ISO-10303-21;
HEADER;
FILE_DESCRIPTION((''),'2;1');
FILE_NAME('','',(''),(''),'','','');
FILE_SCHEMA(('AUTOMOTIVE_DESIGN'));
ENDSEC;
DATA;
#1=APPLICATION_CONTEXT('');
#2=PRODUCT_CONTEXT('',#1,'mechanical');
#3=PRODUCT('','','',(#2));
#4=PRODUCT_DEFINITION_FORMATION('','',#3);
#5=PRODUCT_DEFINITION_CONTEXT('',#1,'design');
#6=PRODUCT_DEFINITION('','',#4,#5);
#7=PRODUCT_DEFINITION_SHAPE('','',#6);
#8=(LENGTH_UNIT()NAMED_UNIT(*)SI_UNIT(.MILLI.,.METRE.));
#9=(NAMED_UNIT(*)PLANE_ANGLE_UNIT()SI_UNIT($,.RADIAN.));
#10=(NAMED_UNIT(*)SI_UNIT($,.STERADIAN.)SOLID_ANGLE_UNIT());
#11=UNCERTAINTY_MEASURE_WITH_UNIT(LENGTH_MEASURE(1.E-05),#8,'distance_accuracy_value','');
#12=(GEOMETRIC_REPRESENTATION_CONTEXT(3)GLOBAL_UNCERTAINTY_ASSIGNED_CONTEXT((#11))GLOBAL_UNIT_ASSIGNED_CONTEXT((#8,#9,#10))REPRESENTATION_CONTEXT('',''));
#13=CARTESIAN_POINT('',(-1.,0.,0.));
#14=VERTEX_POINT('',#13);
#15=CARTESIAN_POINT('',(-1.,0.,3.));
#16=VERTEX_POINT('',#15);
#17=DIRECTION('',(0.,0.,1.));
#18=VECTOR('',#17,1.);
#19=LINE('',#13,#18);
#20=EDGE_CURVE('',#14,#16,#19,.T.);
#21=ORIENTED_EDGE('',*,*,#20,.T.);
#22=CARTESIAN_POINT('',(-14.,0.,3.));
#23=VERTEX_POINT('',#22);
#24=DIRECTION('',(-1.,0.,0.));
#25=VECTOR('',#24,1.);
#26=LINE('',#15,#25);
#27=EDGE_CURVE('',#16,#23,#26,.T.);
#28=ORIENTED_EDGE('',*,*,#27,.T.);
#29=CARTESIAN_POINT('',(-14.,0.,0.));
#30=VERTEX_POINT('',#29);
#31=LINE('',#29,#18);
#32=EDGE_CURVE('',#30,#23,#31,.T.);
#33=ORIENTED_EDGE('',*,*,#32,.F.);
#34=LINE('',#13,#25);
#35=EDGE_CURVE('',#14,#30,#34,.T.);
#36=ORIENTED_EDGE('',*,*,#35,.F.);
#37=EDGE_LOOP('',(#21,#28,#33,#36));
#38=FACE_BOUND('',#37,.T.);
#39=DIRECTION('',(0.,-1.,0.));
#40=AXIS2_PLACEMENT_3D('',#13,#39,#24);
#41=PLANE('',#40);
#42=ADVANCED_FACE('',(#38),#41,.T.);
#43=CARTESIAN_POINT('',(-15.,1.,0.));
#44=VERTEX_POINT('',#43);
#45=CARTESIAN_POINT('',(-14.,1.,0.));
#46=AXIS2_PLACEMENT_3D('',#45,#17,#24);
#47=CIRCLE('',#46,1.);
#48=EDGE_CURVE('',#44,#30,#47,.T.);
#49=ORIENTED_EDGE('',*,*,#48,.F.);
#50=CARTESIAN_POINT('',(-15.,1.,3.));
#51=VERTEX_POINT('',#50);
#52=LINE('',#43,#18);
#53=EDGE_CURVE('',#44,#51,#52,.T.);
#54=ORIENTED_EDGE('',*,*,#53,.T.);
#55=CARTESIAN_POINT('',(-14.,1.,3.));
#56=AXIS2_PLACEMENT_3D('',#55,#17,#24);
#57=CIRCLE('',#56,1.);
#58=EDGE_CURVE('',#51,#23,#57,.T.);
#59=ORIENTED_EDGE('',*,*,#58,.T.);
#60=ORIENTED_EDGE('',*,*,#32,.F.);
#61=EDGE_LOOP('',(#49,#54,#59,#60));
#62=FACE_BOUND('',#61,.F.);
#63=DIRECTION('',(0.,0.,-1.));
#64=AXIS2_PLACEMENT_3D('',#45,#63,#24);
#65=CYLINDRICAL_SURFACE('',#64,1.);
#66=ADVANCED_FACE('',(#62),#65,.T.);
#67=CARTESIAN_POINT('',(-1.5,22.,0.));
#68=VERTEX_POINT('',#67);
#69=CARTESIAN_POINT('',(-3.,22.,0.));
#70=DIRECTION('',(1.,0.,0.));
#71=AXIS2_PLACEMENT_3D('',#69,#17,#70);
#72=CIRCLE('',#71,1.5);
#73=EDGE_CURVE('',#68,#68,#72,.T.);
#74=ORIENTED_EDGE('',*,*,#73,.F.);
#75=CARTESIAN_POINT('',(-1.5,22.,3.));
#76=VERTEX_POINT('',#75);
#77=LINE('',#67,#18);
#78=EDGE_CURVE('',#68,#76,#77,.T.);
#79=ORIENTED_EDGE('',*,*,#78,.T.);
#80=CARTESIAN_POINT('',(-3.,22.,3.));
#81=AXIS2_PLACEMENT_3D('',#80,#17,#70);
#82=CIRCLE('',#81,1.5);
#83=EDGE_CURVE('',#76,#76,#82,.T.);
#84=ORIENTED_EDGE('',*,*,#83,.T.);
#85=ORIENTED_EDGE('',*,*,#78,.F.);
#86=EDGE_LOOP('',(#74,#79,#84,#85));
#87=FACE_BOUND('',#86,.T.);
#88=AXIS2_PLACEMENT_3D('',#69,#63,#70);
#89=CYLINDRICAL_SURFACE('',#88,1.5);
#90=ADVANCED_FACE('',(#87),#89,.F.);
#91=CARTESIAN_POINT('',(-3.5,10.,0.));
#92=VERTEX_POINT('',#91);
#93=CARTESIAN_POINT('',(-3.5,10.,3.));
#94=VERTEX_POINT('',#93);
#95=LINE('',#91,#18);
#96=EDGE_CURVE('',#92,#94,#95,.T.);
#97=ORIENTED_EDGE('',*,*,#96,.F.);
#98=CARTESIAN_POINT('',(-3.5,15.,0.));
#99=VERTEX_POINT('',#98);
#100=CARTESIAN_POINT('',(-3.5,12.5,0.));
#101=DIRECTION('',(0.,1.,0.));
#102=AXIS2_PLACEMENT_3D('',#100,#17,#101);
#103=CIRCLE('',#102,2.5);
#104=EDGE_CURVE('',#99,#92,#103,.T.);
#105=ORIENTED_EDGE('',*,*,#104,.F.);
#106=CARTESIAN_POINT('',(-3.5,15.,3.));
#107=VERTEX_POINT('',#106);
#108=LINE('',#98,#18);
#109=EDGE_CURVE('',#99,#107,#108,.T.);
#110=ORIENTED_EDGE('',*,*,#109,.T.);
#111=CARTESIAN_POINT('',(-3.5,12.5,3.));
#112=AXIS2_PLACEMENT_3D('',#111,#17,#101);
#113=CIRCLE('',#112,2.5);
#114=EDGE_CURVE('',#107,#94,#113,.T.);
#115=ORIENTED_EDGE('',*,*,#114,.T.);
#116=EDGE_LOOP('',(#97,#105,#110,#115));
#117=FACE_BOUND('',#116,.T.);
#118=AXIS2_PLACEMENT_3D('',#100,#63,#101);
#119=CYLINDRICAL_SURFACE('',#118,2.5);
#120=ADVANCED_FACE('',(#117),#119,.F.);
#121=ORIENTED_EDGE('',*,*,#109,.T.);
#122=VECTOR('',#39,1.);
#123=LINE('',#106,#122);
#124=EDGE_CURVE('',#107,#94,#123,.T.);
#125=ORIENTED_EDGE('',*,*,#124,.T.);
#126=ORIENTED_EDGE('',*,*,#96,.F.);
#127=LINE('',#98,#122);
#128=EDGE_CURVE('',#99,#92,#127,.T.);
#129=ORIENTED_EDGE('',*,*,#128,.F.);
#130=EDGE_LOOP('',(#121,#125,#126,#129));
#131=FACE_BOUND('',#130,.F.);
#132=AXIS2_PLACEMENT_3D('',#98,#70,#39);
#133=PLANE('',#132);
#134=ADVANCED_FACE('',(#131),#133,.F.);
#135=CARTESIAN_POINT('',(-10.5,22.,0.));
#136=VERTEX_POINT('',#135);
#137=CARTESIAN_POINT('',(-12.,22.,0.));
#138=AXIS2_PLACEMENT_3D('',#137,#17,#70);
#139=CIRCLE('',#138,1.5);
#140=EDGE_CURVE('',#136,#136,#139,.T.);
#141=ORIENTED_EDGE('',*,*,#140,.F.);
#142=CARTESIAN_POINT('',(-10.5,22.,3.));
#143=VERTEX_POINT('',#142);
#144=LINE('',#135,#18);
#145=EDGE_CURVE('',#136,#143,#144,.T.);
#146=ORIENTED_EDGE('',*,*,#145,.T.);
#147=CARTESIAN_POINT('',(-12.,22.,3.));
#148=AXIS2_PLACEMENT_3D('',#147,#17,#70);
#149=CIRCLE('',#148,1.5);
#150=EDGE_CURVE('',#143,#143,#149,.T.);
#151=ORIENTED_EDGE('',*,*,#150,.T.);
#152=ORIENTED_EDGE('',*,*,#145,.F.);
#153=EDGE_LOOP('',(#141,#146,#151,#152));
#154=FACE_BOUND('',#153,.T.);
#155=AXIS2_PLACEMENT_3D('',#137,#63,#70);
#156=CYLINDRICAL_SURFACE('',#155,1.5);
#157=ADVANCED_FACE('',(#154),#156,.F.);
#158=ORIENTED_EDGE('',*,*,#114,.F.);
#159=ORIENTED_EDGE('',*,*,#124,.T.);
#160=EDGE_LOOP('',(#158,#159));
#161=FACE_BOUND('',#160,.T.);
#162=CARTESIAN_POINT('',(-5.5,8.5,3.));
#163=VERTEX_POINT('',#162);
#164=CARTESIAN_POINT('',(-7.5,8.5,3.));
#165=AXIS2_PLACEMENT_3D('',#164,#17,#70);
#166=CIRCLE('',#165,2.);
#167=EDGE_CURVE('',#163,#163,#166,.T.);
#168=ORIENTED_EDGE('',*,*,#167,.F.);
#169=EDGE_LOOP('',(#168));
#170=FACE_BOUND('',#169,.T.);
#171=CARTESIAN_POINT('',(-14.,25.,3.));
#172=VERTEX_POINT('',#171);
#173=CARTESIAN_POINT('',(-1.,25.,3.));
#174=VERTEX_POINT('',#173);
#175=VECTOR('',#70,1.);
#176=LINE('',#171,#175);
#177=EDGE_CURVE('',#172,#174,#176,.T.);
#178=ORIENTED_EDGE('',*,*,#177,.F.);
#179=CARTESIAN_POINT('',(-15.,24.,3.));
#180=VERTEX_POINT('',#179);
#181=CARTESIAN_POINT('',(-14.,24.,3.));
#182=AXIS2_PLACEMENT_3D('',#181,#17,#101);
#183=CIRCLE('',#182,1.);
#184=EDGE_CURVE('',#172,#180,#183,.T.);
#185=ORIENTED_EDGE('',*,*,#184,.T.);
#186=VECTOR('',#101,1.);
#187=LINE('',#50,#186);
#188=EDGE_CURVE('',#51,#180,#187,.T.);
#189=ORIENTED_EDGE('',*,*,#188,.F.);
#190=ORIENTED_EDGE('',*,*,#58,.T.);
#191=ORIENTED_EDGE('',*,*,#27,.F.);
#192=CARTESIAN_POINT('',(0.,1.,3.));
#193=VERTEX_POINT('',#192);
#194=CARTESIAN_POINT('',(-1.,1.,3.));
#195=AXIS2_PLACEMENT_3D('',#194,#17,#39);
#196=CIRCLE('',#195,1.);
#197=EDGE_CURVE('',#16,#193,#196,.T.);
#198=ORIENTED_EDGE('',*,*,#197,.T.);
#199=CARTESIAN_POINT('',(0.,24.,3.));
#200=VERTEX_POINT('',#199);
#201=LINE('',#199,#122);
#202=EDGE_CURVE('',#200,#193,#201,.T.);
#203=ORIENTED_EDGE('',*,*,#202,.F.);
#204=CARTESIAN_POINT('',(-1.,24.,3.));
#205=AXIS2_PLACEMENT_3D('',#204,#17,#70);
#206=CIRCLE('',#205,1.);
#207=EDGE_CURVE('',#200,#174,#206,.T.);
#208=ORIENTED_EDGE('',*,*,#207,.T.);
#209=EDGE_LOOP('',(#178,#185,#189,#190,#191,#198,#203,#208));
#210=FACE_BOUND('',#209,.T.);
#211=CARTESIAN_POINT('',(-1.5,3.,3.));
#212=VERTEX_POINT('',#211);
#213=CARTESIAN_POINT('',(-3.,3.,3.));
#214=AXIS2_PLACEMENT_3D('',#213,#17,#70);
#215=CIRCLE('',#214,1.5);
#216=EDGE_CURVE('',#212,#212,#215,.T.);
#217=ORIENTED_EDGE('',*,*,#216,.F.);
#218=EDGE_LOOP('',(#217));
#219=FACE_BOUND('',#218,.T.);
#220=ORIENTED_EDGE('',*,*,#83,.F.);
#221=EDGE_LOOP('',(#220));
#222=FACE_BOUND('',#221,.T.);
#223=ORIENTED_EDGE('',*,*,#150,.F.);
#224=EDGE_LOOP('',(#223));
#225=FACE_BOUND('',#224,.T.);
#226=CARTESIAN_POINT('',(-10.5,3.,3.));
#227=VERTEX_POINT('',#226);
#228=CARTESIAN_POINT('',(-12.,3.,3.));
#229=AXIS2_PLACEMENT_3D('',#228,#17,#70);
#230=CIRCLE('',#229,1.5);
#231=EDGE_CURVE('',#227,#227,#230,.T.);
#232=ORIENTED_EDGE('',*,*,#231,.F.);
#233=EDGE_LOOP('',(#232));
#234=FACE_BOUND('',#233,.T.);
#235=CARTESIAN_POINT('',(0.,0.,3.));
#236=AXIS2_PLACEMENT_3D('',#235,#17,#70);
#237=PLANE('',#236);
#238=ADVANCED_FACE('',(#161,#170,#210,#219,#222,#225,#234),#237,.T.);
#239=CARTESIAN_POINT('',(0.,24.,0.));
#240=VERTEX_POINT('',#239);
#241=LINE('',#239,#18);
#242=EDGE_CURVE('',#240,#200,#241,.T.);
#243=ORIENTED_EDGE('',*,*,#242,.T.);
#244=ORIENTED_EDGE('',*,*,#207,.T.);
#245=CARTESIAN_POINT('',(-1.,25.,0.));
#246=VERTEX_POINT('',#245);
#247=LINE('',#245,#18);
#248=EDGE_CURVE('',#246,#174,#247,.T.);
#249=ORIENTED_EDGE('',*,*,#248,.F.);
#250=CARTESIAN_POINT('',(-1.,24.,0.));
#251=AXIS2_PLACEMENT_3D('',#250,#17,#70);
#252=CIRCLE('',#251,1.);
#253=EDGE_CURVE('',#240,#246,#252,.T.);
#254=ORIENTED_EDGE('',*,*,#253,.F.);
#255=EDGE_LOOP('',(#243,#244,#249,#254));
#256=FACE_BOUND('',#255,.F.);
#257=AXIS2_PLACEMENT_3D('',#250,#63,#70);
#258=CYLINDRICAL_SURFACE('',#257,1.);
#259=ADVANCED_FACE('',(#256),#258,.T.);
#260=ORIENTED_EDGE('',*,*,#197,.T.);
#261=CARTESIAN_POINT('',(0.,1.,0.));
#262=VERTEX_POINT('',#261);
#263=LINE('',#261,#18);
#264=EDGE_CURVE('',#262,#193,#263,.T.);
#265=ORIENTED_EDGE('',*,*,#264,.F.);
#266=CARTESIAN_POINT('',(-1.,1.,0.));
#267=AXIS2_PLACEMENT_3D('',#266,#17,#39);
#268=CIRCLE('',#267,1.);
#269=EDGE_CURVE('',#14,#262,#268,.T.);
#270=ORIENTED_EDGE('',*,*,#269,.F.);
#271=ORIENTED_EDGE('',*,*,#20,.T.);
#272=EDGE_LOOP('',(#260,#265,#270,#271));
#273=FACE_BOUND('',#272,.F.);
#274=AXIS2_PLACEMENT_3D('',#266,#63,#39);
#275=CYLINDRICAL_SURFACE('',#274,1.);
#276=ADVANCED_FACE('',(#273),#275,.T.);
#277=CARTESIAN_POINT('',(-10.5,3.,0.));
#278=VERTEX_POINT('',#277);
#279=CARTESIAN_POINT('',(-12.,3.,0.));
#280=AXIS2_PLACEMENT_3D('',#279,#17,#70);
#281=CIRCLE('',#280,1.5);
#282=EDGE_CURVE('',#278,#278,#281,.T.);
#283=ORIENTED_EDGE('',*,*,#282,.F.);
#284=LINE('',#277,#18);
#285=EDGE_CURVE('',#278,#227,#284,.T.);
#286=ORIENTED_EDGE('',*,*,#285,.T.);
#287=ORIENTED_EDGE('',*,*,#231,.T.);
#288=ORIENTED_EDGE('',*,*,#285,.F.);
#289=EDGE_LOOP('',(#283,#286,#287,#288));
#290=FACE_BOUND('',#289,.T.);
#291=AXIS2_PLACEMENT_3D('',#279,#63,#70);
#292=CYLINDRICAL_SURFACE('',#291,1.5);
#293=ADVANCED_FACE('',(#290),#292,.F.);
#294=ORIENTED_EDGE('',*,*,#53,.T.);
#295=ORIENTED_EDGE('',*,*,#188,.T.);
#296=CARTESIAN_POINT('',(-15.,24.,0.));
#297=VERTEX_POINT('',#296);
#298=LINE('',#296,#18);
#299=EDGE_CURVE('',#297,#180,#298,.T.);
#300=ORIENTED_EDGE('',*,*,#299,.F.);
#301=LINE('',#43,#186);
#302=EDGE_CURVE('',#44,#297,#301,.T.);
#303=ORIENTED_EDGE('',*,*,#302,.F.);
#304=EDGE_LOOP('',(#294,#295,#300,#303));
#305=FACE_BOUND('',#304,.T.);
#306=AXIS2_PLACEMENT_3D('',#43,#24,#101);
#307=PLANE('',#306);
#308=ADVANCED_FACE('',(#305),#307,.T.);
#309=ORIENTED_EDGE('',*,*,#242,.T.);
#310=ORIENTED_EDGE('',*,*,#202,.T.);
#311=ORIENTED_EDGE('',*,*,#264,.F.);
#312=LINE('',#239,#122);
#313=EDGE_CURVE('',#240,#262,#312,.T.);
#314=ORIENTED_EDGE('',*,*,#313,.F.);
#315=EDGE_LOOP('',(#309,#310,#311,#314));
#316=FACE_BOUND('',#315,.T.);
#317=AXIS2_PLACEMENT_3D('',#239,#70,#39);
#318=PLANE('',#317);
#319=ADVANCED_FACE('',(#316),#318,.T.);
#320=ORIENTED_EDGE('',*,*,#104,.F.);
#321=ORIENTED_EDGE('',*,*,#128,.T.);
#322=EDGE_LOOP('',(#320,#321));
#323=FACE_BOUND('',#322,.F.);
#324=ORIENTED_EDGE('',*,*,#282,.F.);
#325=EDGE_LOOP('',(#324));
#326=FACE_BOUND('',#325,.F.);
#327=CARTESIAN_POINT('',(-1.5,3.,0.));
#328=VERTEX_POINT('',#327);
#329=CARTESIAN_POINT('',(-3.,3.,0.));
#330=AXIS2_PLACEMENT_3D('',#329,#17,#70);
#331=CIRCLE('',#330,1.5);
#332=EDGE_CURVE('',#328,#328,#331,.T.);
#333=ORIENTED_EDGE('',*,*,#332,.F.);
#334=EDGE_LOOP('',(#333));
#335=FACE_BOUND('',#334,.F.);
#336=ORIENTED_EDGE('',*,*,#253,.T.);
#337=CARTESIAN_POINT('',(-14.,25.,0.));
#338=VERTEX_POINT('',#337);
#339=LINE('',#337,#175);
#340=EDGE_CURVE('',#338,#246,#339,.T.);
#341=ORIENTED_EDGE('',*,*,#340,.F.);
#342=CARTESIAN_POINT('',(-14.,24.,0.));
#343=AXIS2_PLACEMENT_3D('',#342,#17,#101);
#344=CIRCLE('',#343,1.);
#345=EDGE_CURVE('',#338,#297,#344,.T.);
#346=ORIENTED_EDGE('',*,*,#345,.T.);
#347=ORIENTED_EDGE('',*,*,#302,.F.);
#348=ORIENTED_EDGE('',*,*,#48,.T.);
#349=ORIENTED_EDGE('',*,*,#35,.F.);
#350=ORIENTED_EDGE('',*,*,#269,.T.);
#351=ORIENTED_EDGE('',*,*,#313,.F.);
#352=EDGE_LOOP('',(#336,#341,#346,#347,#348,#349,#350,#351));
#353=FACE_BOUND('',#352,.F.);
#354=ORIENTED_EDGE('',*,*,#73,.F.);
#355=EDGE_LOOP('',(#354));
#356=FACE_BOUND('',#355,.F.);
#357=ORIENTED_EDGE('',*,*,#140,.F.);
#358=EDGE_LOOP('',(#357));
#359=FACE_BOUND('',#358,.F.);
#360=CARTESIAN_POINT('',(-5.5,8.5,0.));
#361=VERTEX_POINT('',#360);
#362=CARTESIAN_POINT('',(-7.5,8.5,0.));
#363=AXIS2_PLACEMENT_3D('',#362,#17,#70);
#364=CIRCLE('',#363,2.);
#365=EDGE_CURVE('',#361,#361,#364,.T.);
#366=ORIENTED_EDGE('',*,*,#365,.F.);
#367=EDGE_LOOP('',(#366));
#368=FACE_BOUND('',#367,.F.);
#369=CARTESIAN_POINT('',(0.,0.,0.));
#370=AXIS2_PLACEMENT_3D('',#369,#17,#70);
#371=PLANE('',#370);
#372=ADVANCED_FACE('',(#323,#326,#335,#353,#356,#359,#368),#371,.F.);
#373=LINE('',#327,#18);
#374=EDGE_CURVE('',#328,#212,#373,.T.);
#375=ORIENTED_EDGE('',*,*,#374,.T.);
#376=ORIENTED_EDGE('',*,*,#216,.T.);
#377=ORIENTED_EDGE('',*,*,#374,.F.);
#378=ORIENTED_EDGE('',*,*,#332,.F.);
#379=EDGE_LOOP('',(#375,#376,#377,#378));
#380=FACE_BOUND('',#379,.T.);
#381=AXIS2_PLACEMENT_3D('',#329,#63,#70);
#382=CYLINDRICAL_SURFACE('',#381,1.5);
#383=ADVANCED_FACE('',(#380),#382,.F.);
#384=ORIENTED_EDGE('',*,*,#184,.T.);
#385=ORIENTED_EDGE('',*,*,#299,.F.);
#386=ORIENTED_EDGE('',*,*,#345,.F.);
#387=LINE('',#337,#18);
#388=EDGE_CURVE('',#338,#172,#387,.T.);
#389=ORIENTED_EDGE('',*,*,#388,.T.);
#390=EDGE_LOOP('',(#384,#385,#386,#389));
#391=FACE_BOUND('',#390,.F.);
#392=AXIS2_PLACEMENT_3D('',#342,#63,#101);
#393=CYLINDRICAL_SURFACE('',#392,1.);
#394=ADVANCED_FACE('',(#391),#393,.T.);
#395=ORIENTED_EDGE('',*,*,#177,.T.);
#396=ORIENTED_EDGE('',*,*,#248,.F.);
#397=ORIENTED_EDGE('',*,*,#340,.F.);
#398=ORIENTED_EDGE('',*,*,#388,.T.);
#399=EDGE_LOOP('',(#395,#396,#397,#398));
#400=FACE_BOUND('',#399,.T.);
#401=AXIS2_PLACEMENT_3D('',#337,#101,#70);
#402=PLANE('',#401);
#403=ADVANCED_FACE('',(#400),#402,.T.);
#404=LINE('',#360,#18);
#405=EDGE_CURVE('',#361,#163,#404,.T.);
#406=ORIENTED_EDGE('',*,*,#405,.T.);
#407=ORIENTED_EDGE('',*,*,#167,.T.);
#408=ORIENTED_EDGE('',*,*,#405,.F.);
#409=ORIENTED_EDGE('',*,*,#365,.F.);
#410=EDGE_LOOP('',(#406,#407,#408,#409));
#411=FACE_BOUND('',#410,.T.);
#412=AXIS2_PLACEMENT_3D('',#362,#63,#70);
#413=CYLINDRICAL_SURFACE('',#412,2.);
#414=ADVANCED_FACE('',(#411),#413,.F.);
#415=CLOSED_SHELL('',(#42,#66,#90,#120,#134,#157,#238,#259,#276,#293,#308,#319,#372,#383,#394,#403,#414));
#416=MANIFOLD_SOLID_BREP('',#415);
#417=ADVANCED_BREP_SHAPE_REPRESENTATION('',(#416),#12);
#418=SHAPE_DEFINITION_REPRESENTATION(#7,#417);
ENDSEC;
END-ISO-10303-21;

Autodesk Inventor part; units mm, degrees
ref_plane "YZ Plane" through (0, 0, 0) normal (1, 0, 0) x (0, 1, 0)
ref_plane "XZ Plane" through (0, 0, 0) normal (0, 1, 0) x (-1, 0, 0)
ref_plane "XY Plane" through (0, 0, 0) normal (0, 0, 1) x (1, 0, 0)
sketch "Szkic1" plane through (0, 0, 0) normal (0, 0, 1) x (1, 0, 0)
  line L0 (-1, 0) -> (-14, 0)
  line L1 (-15, 1) -> (-15, 24)
  line L2 (-14, 25) -> (-1, 25)
  line L3 (0, 24) -> (0, 1)
  arc A0 (-14, 25) -> (-15, 24) centre (-14, 24) ccw
  arc A1 (0, 24) -> (-1, 25) centre (-1, 24) ccw
  arc A2 (-1, 0) -> (0, 1) centre (-1, 1) ccw
  arc A3 (-15, 1) -> (-14, 0) centre (-14, 1) ccw
  circle A4 centre (-3, 3) radius 1.5
  circle A5 centre (-12, 3) radius 1.5
  circle A6 centre (-12, 22) radius 1.5
  circle A7 centre (-3, 22) radius 1.5
  line L4 (-3.5, 15) -> (-3.5, 10)
  circle A8 centre (-7.5, 8.5) radius 2
  arc A9 (-3.5, 15) -> (-3.5, 10) centre (-3.5, 12.5) ccw
  point P0 (0, 0)
  point P1 (-15, 25)
  point P2 (-15, 0)
  point P3 (0, 25)
  point P4 (-11.5, 20.5)
  point P5 (-11.5, 4.5)
  point P6 (-3.5, 20.5)
  dimension "d0" = 15
  dimension "d1" = 25
  dimension "d2" = 1
  dimension "d3" = 3
  dimension "d4" = 3
  dimension "d5" = 3
  dimension "d6" = 3
  dimension "d7" = 8
  dimension "d8" = 16
  dimension "d10" = 19
  dimension "d11" = 4
extrude "Wyciągnięcie proste1" add sketch "Szkic1" along normal blind 3
sketch "Szkic2" plane through (0, 0, 3) normal (0, 0, 1) x (1, 0, 0)
  point P0 (0, 0)
sketch "Szkic3" plane through (0, 0, 3) normal (0, 0, 1) x (1, 0, 0)
  point P0 (0, 0)
sketch "Szkic4" plane through (0, 0, 3) normal (0, 0, 1) x (1, 0, 0)
  point P0 (0, 0)
properties part number "zad 7"
